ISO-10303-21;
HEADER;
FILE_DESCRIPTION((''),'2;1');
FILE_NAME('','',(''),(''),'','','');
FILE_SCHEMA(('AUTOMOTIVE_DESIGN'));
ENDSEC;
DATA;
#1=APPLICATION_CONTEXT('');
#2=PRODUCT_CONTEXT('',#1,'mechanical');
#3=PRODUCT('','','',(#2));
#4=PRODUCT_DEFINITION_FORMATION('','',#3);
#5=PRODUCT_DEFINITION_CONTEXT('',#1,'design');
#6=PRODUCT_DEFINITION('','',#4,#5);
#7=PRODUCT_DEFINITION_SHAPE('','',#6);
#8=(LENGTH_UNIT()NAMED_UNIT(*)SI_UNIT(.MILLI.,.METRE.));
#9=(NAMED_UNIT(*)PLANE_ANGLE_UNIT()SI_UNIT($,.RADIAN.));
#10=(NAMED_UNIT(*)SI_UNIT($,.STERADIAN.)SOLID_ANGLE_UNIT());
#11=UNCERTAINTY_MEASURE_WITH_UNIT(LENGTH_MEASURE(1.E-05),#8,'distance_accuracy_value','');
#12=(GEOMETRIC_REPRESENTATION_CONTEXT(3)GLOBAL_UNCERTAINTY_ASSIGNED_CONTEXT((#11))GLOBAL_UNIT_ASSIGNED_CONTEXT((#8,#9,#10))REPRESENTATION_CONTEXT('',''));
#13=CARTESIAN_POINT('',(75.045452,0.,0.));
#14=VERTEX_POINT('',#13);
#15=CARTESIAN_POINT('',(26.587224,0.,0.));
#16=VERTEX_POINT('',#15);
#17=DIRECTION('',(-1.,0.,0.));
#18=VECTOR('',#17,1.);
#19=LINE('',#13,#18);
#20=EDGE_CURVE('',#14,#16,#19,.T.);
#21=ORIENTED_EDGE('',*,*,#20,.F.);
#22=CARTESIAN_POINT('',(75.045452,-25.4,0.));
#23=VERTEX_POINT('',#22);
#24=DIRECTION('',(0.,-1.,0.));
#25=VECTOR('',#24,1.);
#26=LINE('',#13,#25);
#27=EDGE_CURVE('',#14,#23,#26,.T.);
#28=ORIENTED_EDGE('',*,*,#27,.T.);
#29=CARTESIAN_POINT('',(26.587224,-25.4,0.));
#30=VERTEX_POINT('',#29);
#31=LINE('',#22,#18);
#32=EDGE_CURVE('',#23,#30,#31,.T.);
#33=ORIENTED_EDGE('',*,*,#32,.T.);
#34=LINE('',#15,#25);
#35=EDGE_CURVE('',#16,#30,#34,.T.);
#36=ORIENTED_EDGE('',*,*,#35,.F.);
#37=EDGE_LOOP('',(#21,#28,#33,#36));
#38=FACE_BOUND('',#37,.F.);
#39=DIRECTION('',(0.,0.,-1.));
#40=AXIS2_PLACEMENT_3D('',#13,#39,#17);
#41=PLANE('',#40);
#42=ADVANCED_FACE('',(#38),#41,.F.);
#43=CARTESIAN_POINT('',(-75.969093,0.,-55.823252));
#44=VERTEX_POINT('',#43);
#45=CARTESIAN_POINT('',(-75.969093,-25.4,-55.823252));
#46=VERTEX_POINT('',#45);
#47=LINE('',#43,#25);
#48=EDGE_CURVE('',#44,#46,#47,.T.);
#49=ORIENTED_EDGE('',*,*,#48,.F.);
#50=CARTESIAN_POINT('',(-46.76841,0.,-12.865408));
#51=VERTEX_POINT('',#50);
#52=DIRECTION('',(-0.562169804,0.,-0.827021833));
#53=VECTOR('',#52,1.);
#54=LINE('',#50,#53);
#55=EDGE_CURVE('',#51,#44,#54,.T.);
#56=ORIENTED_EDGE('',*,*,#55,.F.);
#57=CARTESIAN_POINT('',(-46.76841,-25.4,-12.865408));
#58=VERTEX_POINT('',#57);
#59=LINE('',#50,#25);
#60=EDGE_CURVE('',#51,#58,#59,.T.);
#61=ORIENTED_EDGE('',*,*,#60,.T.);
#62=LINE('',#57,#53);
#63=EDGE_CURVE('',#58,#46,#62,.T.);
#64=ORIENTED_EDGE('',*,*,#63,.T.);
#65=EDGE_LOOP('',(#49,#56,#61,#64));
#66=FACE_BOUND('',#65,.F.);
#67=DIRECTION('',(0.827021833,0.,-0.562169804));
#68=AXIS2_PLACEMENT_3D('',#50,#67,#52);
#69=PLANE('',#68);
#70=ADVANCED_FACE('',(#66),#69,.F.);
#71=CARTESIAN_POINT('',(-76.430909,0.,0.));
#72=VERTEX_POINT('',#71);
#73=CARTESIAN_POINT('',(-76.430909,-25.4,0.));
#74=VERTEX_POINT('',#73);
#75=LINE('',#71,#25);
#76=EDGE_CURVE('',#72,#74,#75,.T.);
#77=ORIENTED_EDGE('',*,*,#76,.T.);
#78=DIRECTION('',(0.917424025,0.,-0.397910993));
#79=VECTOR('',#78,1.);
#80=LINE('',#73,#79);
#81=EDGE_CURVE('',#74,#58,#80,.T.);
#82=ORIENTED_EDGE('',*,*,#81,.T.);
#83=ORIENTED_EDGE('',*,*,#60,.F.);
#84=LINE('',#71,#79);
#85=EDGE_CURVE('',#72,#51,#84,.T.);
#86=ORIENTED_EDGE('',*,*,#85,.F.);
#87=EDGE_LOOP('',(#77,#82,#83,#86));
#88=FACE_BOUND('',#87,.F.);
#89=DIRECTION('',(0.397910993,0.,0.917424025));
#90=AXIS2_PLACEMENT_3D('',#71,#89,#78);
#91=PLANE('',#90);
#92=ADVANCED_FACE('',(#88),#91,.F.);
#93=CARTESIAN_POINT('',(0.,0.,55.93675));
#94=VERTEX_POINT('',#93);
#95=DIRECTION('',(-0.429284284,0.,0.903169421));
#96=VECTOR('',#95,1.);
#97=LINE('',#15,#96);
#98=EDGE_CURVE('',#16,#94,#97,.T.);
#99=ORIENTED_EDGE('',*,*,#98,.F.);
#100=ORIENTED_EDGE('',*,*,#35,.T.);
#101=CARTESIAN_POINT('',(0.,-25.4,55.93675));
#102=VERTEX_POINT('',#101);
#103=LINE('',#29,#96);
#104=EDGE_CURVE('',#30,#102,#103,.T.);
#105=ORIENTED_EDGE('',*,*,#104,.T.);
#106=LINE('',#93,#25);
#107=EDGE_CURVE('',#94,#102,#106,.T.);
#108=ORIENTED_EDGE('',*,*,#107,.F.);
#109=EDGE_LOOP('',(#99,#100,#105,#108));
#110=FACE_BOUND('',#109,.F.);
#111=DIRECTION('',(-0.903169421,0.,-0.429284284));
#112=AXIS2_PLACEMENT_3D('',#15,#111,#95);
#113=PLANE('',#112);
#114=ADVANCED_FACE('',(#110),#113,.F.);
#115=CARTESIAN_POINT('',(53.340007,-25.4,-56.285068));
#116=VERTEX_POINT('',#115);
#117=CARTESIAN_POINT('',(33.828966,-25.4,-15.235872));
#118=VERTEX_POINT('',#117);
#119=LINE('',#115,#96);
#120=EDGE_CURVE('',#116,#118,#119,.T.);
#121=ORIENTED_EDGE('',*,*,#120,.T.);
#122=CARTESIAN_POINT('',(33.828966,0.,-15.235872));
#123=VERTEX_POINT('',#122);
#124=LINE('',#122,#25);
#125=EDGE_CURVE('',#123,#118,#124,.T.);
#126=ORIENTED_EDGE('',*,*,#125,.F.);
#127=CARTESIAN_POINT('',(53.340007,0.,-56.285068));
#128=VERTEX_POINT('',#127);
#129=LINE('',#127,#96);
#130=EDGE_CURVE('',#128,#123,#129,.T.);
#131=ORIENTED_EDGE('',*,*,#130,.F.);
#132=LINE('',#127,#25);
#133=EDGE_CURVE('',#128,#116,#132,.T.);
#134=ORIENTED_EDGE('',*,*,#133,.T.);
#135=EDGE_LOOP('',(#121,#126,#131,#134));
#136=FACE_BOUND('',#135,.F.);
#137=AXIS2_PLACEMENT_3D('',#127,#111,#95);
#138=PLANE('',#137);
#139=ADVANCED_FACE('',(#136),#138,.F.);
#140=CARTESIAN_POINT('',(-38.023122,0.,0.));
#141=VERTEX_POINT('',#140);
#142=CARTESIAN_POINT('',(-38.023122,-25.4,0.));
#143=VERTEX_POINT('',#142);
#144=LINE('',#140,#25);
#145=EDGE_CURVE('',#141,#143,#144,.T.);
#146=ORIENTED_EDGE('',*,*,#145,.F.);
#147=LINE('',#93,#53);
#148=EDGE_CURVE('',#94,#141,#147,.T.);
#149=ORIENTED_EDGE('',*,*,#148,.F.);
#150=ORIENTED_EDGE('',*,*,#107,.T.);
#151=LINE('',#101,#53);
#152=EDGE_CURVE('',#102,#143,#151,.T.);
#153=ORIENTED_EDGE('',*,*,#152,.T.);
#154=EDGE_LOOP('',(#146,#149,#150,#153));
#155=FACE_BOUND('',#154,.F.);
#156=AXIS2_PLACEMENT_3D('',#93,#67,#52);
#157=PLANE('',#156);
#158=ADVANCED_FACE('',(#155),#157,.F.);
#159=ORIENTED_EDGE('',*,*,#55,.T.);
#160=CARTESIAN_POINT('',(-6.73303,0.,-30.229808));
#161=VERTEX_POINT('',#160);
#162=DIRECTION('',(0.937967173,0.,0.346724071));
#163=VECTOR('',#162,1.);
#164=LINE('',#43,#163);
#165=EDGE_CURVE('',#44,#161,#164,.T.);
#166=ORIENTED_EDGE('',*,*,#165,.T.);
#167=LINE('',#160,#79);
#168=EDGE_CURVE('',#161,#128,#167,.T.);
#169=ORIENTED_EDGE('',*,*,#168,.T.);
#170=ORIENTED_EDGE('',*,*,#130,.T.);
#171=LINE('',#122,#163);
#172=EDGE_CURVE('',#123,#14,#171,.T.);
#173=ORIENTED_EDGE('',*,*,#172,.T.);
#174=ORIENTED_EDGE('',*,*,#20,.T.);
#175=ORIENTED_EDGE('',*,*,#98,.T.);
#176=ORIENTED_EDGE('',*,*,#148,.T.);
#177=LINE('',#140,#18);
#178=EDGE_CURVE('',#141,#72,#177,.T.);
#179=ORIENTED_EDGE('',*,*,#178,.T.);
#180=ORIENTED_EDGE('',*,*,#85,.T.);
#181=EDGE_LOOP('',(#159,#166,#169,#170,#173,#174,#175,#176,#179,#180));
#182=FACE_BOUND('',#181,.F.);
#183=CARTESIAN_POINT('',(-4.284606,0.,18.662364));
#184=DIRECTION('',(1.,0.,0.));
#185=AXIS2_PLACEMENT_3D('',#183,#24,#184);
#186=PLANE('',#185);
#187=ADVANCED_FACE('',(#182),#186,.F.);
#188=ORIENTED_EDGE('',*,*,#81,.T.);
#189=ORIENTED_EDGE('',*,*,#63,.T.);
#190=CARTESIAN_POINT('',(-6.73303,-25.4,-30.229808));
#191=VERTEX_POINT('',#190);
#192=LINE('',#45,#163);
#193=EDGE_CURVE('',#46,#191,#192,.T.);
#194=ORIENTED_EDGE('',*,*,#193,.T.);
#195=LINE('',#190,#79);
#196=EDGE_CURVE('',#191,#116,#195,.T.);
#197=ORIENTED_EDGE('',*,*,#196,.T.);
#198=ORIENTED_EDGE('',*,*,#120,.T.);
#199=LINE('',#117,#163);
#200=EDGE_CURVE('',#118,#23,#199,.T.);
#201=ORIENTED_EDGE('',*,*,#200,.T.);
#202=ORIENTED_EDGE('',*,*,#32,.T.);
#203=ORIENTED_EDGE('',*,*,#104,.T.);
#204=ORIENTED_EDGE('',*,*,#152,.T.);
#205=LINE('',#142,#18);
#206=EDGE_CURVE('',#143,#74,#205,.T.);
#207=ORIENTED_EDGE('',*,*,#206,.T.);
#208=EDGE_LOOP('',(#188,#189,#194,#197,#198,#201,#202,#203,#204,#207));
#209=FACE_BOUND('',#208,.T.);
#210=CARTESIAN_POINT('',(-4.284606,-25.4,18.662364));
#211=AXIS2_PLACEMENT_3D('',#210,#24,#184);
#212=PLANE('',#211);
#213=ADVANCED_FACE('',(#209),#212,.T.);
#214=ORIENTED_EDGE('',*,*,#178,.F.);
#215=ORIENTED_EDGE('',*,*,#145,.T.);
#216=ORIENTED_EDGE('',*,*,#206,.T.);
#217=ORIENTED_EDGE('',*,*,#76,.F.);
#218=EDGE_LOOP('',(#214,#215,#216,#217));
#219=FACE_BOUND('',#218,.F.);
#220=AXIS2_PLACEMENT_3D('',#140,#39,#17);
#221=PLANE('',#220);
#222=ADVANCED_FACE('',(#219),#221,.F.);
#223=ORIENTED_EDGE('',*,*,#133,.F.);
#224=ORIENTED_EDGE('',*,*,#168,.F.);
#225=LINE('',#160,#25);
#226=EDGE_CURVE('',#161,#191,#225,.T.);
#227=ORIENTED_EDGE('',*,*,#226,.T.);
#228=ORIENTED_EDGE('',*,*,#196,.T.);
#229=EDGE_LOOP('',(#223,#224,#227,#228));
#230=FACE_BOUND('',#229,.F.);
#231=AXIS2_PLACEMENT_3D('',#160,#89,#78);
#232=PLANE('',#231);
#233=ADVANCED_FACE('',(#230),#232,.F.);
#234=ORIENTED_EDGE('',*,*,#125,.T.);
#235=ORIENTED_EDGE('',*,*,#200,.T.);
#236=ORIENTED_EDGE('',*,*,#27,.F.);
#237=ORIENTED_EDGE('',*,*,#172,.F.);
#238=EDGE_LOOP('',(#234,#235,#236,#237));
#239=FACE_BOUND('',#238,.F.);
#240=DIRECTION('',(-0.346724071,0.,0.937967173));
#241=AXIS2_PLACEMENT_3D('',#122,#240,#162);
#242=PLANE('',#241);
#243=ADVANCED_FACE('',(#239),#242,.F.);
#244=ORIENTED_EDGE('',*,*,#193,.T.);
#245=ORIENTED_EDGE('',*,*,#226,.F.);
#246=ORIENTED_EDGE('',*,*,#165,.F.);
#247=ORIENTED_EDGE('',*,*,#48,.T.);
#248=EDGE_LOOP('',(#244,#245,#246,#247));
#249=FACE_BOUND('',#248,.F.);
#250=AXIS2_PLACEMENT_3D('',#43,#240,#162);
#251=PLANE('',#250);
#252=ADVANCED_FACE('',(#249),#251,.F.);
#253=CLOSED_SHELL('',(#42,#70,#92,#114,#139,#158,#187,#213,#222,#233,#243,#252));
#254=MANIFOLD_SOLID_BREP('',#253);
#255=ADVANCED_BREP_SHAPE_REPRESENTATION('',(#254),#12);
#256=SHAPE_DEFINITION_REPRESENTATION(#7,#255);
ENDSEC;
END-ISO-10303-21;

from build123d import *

# Parameters (mm, degrees)
F1_DEPTH = 25.4


with BuildPart() as f1:
    # F0 (on Front) → F1 (new body)
    with BuildSketch(Plane.XZ):
        Polygon((26.5872239345, 0), (0, 55.9367500246), (-38.0231216668, 0), align=None)
        Polygon((75.0454515219, 0), (26.5872239345, 0), (33.8289663218, -15.2358717352), align=None)
        Polygon((-46.7684096297, -12.8654083418), (-38.0231216668, 0), (-76.4309093356, 0), align=None)
        Polygon((53.3400066197, -56.2850683928), (33.8289663218, -15.2358717352), (-6.7330296679, -30.22980839), align=None)
        Polygon((26.5872239345, 0), (-38.0231216668, 0), (-46.7684096297, -12.8654083418), (-6.7330296679, -30.22980839), (33.8289663218, -15.2358717352), align=None)
        Polygon((-6.7330296679, -30.22980839), (-46.7684096297, -12.8654083418), (-75.9690925479, -55.823251605), align=None)
    extrude(amount=F1_DEPTH)


solid = f1.part
